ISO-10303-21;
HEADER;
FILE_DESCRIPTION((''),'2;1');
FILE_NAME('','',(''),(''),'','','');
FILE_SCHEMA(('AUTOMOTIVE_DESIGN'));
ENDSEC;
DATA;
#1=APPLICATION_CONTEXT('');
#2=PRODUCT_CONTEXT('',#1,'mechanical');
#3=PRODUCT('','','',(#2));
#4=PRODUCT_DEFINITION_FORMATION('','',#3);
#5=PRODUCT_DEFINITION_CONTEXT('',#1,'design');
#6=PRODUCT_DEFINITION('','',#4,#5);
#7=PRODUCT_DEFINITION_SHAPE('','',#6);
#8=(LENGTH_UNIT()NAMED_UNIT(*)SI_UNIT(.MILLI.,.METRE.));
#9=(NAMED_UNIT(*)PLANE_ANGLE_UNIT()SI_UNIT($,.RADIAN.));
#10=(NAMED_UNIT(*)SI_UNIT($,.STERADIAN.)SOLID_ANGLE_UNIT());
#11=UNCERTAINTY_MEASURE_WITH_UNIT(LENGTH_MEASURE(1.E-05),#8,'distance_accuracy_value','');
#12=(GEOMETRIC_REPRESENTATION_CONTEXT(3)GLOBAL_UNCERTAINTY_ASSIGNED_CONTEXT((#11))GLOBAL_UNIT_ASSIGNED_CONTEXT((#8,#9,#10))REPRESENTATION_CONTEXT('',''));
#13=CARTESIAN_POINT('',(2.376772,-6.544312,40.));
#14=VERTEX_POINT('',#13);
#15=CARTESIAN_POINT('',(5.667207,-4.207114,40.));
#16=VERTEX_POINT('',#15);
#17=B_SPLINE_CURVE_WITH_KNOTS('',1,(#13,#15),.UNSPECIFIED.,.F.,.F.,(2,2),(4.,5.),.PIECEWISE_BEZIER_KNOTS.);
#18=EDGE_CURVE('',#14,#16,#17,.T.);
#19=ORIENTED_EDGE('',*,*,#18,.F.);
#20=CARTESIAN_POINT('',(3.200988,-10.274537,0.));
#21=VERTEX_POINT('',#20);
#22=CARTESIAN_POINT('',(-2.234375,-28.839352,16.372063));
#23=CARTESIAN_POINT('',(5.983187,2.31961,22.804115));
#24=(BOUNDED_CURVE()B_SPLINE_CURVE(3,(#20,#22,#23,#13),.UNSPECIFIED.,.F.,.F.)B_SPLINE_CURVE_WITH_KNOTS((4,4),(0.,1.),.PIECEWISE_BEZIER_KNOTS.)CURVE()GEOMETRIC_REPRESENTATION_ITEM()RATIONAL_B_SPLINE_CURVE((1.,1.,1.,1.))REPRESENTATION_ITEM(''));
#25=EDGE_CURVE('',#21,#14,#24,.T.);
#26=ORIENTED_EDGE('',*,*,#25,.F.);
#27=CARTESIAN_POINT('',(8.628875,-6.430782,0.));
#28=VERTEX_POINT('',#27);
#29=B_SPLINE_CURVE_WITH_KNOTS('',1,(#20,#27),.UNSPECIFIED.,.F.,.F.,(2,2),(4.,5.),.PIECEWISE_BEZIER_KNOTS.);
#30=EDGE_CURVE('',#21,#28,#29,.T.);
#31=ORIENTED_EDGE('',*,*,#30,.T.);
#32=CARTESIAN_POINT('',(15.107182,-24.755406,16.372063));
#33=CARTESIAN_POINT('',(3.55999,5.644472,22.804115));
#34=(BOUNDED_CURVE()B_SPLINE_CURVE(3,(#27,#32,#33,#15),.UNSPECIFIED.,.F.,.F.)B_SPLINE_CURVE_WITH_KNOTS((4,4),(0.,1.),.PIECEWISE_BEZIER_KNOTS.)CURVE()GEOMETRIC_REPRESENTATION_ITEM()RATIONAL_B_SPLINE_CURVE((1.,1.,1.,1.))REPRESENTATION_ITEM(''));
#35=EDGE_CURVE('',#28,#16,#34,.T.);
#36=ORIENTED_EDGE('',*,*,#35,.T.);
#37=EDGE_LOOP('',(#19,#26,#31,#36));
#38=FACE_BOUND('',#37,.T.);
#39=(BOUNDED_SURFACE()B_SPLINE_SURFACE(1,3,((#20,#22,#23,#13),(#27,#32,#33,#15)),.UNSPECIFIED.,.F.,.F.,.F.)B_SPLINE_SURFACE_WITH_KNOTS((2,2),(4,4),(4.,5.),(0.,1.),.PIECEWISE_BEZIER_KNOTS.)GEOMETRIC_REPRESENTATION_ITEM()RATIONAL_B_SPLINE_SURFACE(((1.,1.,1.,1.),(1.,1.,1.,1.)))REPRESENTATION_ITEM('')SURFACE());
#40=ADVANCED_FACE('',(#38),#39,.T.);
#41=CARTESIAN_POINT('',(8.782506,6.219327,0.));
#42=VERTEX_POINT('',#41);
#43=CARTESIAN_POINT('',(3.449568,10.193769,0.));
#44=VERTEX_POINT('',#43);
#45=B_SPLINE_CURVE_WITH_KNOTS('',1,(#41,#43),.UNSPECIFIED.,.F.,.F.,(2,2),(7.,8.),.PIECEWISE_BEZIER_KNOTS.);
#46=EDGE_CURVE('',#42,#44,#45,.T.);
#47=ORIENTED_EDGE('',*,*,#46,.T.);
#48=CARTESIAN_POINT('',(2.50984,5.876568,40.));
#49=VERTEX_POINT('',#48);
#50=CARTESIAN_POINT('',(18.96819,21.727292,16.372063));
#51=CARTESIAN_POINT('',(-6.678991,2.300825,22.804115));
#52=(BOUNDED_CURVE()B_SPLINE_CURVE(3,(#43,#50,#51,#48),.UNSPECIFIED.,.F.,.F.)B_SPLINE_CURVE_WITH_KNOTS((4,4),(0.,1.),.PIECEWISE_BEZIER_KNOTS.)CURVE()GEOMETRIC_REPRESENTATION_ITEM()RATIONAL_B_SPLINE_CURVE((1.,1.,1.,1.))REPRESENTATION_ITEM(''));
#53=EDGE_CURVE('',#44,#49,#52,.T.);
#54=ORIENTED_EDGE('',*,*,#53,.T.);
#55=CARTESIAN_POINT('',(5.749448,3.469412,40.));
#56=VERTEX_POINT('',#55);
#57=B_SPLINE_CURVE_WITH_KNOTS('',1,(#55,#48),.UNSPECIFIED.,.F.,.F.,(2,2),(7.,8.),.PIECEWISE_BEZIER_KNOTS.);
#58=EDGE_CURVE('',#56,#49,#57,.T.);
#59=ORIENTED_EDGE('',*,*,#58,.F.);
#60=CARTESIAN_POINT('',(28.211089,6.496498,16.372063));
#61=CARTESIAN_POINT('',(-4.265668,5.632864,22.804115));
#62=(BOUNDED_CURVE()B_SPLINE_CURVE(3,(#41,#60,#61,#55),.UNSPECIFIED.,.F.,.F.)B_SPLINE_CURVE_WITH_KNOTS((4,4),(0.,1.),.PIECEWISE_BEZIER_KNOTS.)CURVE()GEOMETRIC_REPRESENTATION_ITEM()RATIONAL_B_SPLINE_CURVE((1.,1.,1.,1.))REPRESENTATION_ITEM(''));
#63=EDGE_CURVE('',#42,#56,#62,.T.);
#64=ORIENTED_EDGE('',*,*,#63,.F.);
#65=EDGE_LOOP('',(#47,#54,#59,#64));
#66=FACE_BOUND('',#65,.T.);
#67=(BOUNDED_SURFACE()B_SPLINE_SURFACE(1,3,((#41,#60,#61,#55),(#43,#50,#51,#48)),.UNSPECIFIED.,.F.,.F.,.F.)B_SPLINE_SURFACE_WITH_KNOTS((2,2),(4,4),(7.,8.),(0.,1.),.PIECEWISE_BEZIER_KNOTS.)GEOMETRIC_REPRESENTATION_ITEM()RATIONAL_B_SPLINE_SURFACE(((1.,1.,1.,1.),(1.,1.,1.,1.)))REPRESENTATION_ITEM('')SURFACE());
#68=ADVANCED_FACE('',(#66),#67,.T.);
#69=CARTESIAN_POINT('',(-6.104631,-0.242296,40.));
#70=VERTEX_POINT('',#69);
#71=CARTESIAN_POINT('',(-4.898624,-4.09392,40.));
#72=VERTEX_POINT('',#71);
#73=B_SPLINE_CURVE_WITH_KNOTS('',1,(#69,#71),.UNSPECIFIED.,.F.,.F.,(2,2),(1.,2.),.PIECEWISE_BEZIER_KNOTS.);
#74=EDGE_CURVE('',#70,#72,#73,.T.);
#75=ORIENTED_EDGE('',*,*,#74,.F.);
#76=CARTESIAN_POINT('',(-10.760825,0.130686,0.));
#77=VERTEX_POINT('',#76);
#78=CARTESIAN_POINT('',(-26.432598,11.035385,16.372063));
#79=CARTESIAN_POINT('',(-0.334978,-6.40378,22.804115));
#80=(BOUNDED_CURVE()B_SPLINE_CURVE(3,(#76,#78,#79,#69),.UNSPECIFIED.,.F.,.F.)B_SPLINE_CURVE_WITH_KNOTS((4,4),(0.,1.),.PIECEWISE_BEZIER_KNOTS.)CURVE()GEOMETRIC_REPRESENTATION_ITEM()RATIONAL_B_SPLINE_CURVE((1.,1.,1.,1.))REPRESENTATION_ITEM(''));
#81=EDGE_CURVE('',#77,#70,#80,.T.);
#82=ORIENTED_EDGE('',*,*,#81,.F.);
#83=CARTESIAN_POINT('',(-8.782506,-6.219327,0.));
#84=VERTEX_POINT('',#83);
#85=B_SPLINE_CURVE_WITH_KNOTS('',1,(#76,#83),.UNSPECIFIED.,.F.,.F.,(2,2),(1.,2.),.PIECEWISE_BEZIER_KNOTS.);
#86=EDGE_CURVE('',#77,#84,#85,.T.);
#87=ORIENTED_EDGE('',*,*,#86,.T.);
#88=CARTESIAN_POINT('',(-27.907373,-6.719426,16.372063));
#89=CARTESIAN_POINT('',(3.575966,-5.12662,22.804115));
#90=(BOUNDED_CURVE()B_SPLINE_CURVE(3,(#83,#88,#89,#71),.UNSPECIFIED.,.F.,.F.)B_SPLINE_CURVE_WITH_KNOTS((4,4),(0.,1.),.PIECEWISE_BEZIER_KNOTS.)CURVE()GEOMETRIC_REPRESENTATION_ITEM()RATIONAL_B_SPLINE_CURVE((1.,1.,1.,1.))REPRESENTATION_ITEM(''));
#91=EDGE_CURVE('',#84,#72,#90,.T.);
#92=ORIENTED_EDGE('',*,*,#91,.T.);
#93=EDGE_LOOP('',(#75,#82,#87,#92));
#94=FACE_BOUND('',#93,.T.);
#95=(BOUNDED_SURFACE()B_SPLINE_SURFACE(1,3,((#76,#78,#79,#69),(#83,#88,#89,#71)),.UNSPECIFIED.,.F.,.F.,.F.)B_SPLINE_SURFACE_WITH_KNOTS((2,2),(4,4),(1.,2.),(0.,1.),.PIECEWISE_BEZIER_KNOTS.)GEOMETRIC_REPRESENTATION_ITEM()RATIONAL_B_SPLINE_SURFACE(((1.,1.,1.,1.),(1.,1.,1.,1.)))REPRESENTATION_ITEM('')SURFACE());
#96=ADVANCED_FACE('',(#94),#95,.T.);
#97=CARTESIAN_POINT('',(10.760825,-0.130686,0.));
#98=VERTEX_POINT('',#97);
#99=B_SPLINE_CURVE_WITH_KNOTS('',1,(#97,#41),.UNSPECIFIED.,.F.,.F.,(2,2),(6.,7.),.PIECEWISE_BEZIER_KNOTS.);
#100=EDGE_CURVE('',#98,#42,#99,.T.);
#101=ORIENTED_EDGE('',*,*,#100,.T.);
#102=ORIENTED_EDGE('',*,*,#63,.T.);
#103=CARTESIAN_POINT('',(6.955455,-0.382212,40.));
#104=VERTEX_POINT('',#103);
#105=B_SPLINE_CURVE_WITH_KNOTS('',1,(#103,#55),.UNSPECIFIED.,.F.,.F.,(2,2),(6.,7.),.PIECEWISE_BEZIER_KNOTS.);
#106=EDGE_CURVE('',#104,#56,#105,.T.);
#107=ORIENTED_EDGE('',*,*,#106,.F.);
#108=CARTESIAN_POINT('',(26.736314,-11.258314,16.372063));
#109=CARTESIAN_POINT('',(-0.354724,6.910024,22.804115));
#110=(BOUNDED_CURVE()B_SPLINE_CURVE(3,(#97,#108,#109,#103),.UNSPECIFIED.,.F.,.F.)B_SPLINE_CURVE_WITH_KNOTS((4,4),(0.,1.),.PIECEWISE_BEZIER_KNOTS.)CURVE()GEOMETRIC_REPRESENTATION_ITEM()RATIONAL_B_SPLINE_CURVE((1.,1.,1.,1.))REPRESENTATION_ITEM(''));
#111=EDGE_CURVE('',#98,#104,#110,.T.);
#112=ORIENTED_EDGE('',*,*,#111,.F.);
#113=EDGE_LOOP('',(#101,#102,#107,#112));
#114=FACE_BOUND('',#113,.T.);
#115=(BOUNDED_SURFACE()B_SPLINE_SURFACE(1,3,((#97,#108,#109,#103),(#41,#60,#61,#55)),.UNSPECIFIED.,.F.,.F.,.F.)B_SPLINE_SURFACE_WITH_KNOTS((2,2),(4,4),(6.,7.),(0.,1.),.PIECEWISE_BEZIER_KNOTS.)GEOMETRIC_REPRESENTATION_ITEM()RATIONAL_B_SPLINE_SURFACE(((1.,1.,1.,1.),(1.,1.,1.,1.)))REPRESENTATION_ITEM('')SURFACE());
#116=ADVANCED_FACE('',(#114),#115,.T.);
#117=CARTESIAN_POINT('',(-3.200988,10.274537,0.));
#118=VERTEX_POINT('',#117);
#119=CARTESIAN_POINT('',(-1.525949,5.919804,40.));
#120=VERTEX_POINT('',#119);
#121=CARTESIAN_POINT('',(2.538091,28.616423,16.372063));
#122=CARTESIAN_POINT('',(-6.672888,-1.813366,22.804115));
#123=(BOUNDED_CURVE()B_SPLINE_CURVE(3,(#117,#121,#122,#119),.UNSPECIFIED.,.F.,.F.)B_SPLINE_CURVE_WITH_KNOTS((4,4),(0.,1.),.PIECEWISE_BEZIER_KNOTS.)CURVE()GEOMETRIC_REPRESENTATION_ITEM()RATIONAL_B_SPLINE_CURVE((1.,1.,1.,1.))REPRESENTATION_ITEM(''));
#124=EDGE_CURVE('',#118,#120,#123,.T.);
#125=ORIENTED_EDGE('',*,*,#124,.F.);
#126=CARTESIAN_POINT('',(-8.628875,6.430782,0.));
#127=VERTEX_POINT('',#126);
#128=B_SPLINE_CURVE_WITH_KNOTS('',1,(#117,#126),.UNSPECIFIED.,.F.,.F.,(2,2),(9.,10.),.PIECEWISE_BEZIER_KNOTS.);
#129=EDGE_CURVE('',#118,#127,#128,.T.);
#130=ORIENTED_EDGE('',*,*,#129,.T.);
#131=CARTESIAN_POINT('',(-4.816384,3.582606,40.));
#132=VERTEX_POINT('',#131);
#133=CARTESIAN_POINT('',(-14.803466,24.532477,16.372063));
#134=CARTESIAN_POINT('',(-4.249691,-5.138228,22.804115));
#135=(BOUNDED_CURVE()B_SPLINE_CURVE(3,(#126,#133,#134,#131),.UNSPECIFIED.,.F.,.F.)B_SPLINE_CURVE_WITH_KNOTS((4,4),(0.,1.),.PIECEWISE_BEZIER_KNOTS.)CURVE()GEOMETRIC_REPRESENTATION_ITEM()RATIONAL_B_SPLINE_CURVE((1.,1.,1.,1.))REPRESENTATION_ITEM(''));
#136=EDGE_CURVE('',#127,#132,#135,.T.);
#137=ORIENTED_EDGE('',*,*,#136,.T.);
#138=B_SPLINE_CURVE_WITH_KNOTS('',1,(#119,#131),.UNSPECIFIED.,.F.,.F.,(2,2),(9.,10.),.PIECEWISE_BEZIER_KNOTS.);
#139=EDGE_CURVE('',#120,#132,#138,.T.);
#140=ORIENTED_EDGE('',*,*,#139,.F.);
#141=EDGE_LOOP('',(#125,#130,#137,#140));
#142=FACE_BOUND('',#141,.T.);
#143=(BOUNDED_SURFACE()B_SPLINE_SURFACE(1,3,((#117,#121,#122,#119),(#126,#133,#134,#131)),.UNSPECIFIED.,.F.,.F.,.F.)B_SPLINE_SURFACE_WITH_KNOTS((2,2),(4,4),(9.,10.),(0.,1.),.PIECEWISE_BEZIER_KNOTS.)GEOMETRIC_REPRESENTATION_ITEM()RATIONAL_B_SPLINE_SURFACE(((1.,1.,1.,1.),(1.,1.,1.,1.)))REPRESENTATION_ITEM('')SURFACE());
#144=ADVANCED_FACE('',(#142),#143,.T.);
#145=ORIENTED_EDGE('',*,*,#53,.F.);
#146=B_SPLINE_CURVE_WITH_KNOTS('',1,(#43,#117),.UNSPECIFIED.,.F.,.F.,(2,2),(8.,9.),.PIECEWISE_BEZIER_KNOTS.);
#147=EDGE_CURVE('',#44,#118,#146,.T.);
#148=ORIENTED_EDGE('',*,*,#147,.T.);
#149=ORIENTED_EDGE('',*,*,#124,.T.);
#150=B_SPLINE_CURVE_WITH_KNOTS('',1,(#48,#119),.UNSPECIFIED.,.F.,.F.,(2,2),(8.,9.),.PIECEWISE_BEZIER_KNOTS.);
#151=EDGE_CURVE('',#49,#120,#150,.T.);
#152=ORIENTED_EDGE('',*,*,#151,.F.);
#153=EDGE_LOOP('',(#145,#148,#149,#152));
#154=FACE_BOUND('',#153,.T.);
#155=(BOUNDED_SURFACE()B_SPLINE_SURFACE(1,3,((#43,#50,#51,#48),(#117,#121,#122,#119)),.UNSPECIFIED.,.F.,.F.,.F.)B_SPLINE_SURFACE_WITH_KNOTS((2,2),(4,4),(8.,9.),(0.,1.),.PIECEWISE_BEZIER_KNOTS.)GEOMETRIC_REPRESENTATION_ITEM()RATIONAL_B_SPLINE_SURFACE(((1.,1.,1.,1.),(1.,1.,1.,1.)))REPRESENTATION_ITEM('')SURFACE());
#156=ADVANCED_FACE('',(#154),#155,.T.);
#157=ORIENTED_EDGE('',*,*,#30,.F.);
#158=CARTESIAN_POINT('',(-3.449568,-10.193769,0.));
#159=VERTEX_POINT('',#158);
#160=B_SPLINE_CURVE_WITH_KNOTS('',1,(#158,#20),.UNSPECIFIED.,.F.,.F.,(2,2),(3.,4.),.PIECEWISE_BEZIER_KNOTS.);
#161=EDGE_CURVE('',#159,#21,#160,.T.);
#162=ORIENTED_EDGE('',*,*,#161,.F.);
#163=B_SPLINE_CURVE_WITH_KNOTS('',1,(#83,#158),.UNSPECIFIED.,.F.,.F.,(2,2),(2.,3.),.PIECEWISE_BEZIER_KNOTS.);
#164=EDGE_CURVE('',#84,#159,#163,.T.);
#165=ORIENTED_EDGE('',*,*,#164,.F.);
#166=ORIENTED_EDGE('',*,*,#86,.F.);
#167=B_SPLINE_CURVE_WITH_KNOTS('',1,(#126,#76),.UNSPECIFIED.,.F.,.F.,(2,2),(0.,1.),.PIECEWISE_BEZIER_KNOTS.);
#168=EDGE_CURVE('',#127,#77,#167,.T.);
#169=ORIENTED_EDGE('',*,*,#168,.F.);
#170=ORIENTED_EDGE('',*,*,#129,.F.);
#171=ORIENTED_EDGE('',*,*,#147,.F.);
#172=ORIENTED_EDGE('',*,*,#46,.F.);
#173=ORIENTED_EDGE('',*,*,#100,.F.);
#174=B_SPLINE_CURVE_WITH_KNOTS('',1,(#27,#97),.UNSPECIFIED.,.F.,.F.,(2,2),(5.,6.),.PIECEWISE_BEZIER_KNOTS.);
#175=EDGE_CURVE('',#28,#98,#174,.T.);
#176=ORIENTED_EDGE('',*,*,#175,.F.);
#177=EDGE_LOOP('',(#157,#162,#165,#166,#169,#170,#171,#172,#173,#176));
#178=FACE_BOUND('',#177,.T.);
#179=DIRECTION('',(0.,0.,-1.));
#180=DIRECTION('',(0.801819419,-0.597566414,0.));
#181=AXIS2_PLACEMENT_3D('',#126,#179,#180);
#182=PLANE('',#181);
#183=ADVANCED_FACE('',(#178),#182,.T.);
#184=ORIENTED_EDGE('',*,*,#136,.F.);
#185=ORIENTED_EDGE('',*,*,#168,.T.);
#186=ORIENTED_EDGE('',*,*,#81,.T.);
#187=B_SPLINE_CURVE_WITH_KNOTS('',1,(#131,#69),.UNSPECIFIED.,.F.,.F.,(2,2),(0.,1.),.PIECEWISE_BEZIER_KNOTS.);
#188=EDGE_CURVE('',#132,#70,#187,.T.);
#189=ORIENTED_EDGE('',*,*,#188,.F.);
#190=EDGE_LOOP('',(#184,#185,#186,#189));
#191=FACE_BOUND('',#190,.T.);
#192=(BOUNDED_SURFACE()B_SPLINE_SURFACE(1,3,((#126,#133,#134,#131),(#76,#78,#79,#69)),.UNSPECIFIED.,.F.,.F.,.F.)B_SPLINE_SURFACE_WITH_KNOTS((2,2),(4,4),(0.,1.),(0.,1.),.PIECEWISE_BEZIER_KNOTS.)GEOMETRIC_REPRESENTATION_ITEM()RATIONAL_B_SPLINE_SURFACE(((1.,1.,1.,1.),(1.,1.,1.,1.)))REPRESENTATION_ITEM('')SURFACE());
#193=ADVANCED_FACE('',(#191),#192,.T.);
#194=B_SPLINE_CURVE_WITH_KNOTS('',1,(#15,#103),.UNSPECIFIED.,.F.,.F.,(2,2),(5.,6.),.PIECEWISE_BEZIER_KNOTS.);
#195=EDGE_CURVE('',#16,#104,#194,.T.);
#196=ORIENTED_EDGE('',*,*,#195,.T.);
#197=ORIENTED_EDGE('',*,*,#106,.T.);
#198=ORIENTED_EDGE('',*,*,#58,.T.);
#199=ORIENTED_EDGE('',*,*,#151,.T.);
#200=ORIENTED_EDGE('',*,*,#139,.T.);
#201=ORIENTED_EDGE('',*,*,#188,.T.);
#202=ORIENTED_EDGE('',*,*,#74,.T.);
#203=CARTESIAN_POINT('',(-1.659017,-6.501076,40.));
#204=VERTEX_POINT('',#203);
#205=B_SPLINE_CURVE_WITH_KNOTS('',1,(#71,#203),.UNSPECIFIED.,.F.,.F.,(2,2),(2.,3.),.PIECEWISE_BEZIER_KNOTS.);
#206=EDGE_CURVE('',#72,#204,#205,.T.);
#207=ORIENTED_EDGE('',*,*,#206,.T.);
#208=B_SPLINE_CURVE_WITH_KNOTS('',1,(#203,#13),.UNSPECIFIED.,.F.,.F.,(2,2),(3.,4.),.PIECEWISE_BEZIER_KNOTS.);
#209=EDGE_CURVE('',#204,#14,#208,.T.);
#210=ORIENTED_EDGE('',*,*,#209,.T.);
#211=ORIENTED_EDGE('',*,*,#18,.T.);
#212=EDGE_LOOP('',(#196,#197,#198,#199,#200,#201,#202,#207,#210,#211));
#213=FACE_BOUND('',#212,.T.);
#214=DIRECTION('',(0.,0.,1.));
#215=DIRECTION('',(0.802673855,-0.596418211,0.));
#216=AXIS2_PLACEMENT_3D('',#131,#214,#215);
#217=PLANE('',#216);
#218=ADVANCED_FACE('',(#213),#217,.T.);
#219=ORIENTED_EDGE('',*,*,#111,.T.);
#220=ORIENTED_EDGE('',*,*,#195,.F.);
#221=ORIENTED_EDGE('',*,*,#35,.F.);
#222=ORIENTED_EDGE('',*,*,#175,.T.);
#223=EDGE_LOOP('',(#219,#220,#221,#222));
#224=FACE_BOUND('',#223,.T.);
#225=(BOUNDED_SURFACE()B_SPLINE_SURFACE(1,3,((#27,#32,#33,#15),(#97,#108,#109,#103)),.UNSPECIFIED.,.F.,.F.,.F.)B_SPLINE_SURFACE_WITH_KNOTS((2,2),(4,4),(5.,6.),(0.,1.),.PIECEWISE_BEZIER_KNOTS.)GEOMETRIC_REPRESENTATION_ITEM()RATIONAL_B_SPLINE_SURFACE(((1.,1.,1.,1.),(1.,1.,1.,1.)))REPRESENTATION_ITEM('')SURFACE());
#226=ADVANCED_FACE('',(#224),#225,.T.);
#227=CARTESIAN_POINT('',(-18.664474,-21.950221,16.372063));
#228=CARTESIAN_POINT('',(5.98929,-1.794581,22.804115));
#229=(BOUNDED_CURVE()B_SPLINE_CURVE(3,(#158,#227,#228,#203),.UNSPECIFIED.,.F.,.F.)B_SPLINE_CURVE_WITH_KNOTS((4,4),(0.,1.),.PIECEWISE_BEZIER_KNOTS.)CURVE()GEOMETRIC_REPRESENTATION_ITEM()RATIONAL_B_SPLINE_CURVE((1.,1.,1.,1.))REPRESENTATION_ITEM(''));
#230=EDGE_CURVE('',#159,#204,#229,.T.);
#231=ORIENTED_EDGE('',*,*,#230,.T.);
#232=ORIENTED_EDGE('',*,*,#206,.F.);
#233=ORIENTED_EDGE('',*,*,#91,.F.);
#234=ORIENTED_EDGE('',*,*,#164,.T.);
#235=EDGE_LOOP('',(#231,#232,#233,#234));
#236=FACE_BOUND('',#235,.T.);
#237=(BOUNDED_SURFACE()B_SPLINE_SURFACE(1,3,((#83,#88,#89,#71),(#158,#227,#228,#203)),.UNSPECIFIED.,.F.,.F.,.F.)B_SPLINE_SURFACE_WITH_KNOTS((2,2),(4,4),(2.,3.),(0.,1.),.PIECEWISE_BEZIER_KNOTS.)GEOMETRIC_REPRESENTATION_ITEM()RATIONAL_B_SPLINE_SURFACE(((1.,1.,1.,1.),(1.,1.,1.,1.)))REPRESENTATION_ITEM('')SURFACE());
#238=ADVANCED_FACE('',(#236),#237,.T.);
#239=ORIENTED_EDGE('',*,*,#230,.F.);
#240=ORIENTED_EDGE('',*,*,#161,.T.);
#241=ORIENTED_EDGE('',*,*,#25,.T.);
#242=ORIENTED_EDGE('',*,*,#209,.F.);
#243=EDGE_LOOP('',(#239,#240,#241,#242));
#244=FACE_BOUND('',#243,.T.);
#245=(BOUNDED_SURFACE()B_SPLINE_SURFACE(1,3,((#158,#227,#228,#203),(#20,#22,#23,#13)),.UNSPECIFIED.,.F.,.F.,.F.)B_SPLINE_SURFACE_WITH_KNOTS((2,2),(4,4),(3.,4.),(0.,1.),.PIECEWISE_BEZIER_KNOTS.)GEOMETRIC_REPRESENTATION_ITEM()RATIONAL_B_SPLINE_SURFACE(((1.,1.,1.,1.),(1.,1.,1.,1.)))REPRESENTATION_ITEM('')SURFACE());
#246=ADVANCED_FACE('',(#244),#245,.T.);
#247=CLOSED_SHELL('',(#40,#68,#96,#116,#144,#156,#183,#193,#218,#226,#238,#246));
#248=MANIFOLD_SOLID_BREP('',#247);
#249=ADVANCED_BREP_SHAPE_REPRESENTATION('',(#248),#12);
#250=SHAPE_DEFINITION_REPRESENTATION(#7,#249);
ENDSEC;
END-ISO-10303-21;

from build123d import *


with BuildPart() as part:
    # Sketch003 → AdditiveLoft section 0
    with BuildSketch(Plane.XY):
        Polygon((-8.628875, 6.430782), (-10.760825, 0.130686), (-8.782506, -6.219327), (-3.449568, -10.193769), (3.200988, -10.274537), (8.628875, -6.430782), (10.760825, -0.130686), (8.782506, 6.219327), (3.449568, 10.193769), (-3.200988, 10.274537), align=None)
    # Sketch001 → AdditiveLoft section 1
    with BuildSketch(Plane.XY.offset(15)):
        Polygon((13.882604, 6.057266), (7.670891, 13.060421), (-1.470842, 15.074939), (-10.050763, 11.331343), (-14.791634, 3.259559), (-13.882604, -6.057266), (-7.670891, -13.060421), (1.470842, -15.074939), (10.050763, -11.331343), (14.791634, -3.259559), align=None)
    # Sketch002 → AdditiveLoft section 2
    with BuildSketch(Plane.XY.offset(25)):
        Polygon((6.810332, 5.27146), (2.411188, 8.267713), (-2.908948, 8.105981), (-7.117965, 4.84804), (-8.608161, -0.261688), (-6.810332, -5.27146), (-2.411188, -8.267713), (2.908948, -8.105981), (7.117965, -4.84804), (8.608161, 0.261688), align=None)
    # Sketch → AdditiveLoft section 3
    with BuildSketch(Plane.XY.offset(40)):
        Polygon((5.749448, 3.469412), (2.50984, 5.876568), (-1.525949, 5.919804), (-4.816384, 3.582606), (-6.104631, -0.242296), (-4.898624, -4.09392), (-1.659017, -6.501076), (2.376772, -6.544312), (5.667207, -4.207114), (6.955455, -0.382212), align=None)
    loft()


solid = part.part
